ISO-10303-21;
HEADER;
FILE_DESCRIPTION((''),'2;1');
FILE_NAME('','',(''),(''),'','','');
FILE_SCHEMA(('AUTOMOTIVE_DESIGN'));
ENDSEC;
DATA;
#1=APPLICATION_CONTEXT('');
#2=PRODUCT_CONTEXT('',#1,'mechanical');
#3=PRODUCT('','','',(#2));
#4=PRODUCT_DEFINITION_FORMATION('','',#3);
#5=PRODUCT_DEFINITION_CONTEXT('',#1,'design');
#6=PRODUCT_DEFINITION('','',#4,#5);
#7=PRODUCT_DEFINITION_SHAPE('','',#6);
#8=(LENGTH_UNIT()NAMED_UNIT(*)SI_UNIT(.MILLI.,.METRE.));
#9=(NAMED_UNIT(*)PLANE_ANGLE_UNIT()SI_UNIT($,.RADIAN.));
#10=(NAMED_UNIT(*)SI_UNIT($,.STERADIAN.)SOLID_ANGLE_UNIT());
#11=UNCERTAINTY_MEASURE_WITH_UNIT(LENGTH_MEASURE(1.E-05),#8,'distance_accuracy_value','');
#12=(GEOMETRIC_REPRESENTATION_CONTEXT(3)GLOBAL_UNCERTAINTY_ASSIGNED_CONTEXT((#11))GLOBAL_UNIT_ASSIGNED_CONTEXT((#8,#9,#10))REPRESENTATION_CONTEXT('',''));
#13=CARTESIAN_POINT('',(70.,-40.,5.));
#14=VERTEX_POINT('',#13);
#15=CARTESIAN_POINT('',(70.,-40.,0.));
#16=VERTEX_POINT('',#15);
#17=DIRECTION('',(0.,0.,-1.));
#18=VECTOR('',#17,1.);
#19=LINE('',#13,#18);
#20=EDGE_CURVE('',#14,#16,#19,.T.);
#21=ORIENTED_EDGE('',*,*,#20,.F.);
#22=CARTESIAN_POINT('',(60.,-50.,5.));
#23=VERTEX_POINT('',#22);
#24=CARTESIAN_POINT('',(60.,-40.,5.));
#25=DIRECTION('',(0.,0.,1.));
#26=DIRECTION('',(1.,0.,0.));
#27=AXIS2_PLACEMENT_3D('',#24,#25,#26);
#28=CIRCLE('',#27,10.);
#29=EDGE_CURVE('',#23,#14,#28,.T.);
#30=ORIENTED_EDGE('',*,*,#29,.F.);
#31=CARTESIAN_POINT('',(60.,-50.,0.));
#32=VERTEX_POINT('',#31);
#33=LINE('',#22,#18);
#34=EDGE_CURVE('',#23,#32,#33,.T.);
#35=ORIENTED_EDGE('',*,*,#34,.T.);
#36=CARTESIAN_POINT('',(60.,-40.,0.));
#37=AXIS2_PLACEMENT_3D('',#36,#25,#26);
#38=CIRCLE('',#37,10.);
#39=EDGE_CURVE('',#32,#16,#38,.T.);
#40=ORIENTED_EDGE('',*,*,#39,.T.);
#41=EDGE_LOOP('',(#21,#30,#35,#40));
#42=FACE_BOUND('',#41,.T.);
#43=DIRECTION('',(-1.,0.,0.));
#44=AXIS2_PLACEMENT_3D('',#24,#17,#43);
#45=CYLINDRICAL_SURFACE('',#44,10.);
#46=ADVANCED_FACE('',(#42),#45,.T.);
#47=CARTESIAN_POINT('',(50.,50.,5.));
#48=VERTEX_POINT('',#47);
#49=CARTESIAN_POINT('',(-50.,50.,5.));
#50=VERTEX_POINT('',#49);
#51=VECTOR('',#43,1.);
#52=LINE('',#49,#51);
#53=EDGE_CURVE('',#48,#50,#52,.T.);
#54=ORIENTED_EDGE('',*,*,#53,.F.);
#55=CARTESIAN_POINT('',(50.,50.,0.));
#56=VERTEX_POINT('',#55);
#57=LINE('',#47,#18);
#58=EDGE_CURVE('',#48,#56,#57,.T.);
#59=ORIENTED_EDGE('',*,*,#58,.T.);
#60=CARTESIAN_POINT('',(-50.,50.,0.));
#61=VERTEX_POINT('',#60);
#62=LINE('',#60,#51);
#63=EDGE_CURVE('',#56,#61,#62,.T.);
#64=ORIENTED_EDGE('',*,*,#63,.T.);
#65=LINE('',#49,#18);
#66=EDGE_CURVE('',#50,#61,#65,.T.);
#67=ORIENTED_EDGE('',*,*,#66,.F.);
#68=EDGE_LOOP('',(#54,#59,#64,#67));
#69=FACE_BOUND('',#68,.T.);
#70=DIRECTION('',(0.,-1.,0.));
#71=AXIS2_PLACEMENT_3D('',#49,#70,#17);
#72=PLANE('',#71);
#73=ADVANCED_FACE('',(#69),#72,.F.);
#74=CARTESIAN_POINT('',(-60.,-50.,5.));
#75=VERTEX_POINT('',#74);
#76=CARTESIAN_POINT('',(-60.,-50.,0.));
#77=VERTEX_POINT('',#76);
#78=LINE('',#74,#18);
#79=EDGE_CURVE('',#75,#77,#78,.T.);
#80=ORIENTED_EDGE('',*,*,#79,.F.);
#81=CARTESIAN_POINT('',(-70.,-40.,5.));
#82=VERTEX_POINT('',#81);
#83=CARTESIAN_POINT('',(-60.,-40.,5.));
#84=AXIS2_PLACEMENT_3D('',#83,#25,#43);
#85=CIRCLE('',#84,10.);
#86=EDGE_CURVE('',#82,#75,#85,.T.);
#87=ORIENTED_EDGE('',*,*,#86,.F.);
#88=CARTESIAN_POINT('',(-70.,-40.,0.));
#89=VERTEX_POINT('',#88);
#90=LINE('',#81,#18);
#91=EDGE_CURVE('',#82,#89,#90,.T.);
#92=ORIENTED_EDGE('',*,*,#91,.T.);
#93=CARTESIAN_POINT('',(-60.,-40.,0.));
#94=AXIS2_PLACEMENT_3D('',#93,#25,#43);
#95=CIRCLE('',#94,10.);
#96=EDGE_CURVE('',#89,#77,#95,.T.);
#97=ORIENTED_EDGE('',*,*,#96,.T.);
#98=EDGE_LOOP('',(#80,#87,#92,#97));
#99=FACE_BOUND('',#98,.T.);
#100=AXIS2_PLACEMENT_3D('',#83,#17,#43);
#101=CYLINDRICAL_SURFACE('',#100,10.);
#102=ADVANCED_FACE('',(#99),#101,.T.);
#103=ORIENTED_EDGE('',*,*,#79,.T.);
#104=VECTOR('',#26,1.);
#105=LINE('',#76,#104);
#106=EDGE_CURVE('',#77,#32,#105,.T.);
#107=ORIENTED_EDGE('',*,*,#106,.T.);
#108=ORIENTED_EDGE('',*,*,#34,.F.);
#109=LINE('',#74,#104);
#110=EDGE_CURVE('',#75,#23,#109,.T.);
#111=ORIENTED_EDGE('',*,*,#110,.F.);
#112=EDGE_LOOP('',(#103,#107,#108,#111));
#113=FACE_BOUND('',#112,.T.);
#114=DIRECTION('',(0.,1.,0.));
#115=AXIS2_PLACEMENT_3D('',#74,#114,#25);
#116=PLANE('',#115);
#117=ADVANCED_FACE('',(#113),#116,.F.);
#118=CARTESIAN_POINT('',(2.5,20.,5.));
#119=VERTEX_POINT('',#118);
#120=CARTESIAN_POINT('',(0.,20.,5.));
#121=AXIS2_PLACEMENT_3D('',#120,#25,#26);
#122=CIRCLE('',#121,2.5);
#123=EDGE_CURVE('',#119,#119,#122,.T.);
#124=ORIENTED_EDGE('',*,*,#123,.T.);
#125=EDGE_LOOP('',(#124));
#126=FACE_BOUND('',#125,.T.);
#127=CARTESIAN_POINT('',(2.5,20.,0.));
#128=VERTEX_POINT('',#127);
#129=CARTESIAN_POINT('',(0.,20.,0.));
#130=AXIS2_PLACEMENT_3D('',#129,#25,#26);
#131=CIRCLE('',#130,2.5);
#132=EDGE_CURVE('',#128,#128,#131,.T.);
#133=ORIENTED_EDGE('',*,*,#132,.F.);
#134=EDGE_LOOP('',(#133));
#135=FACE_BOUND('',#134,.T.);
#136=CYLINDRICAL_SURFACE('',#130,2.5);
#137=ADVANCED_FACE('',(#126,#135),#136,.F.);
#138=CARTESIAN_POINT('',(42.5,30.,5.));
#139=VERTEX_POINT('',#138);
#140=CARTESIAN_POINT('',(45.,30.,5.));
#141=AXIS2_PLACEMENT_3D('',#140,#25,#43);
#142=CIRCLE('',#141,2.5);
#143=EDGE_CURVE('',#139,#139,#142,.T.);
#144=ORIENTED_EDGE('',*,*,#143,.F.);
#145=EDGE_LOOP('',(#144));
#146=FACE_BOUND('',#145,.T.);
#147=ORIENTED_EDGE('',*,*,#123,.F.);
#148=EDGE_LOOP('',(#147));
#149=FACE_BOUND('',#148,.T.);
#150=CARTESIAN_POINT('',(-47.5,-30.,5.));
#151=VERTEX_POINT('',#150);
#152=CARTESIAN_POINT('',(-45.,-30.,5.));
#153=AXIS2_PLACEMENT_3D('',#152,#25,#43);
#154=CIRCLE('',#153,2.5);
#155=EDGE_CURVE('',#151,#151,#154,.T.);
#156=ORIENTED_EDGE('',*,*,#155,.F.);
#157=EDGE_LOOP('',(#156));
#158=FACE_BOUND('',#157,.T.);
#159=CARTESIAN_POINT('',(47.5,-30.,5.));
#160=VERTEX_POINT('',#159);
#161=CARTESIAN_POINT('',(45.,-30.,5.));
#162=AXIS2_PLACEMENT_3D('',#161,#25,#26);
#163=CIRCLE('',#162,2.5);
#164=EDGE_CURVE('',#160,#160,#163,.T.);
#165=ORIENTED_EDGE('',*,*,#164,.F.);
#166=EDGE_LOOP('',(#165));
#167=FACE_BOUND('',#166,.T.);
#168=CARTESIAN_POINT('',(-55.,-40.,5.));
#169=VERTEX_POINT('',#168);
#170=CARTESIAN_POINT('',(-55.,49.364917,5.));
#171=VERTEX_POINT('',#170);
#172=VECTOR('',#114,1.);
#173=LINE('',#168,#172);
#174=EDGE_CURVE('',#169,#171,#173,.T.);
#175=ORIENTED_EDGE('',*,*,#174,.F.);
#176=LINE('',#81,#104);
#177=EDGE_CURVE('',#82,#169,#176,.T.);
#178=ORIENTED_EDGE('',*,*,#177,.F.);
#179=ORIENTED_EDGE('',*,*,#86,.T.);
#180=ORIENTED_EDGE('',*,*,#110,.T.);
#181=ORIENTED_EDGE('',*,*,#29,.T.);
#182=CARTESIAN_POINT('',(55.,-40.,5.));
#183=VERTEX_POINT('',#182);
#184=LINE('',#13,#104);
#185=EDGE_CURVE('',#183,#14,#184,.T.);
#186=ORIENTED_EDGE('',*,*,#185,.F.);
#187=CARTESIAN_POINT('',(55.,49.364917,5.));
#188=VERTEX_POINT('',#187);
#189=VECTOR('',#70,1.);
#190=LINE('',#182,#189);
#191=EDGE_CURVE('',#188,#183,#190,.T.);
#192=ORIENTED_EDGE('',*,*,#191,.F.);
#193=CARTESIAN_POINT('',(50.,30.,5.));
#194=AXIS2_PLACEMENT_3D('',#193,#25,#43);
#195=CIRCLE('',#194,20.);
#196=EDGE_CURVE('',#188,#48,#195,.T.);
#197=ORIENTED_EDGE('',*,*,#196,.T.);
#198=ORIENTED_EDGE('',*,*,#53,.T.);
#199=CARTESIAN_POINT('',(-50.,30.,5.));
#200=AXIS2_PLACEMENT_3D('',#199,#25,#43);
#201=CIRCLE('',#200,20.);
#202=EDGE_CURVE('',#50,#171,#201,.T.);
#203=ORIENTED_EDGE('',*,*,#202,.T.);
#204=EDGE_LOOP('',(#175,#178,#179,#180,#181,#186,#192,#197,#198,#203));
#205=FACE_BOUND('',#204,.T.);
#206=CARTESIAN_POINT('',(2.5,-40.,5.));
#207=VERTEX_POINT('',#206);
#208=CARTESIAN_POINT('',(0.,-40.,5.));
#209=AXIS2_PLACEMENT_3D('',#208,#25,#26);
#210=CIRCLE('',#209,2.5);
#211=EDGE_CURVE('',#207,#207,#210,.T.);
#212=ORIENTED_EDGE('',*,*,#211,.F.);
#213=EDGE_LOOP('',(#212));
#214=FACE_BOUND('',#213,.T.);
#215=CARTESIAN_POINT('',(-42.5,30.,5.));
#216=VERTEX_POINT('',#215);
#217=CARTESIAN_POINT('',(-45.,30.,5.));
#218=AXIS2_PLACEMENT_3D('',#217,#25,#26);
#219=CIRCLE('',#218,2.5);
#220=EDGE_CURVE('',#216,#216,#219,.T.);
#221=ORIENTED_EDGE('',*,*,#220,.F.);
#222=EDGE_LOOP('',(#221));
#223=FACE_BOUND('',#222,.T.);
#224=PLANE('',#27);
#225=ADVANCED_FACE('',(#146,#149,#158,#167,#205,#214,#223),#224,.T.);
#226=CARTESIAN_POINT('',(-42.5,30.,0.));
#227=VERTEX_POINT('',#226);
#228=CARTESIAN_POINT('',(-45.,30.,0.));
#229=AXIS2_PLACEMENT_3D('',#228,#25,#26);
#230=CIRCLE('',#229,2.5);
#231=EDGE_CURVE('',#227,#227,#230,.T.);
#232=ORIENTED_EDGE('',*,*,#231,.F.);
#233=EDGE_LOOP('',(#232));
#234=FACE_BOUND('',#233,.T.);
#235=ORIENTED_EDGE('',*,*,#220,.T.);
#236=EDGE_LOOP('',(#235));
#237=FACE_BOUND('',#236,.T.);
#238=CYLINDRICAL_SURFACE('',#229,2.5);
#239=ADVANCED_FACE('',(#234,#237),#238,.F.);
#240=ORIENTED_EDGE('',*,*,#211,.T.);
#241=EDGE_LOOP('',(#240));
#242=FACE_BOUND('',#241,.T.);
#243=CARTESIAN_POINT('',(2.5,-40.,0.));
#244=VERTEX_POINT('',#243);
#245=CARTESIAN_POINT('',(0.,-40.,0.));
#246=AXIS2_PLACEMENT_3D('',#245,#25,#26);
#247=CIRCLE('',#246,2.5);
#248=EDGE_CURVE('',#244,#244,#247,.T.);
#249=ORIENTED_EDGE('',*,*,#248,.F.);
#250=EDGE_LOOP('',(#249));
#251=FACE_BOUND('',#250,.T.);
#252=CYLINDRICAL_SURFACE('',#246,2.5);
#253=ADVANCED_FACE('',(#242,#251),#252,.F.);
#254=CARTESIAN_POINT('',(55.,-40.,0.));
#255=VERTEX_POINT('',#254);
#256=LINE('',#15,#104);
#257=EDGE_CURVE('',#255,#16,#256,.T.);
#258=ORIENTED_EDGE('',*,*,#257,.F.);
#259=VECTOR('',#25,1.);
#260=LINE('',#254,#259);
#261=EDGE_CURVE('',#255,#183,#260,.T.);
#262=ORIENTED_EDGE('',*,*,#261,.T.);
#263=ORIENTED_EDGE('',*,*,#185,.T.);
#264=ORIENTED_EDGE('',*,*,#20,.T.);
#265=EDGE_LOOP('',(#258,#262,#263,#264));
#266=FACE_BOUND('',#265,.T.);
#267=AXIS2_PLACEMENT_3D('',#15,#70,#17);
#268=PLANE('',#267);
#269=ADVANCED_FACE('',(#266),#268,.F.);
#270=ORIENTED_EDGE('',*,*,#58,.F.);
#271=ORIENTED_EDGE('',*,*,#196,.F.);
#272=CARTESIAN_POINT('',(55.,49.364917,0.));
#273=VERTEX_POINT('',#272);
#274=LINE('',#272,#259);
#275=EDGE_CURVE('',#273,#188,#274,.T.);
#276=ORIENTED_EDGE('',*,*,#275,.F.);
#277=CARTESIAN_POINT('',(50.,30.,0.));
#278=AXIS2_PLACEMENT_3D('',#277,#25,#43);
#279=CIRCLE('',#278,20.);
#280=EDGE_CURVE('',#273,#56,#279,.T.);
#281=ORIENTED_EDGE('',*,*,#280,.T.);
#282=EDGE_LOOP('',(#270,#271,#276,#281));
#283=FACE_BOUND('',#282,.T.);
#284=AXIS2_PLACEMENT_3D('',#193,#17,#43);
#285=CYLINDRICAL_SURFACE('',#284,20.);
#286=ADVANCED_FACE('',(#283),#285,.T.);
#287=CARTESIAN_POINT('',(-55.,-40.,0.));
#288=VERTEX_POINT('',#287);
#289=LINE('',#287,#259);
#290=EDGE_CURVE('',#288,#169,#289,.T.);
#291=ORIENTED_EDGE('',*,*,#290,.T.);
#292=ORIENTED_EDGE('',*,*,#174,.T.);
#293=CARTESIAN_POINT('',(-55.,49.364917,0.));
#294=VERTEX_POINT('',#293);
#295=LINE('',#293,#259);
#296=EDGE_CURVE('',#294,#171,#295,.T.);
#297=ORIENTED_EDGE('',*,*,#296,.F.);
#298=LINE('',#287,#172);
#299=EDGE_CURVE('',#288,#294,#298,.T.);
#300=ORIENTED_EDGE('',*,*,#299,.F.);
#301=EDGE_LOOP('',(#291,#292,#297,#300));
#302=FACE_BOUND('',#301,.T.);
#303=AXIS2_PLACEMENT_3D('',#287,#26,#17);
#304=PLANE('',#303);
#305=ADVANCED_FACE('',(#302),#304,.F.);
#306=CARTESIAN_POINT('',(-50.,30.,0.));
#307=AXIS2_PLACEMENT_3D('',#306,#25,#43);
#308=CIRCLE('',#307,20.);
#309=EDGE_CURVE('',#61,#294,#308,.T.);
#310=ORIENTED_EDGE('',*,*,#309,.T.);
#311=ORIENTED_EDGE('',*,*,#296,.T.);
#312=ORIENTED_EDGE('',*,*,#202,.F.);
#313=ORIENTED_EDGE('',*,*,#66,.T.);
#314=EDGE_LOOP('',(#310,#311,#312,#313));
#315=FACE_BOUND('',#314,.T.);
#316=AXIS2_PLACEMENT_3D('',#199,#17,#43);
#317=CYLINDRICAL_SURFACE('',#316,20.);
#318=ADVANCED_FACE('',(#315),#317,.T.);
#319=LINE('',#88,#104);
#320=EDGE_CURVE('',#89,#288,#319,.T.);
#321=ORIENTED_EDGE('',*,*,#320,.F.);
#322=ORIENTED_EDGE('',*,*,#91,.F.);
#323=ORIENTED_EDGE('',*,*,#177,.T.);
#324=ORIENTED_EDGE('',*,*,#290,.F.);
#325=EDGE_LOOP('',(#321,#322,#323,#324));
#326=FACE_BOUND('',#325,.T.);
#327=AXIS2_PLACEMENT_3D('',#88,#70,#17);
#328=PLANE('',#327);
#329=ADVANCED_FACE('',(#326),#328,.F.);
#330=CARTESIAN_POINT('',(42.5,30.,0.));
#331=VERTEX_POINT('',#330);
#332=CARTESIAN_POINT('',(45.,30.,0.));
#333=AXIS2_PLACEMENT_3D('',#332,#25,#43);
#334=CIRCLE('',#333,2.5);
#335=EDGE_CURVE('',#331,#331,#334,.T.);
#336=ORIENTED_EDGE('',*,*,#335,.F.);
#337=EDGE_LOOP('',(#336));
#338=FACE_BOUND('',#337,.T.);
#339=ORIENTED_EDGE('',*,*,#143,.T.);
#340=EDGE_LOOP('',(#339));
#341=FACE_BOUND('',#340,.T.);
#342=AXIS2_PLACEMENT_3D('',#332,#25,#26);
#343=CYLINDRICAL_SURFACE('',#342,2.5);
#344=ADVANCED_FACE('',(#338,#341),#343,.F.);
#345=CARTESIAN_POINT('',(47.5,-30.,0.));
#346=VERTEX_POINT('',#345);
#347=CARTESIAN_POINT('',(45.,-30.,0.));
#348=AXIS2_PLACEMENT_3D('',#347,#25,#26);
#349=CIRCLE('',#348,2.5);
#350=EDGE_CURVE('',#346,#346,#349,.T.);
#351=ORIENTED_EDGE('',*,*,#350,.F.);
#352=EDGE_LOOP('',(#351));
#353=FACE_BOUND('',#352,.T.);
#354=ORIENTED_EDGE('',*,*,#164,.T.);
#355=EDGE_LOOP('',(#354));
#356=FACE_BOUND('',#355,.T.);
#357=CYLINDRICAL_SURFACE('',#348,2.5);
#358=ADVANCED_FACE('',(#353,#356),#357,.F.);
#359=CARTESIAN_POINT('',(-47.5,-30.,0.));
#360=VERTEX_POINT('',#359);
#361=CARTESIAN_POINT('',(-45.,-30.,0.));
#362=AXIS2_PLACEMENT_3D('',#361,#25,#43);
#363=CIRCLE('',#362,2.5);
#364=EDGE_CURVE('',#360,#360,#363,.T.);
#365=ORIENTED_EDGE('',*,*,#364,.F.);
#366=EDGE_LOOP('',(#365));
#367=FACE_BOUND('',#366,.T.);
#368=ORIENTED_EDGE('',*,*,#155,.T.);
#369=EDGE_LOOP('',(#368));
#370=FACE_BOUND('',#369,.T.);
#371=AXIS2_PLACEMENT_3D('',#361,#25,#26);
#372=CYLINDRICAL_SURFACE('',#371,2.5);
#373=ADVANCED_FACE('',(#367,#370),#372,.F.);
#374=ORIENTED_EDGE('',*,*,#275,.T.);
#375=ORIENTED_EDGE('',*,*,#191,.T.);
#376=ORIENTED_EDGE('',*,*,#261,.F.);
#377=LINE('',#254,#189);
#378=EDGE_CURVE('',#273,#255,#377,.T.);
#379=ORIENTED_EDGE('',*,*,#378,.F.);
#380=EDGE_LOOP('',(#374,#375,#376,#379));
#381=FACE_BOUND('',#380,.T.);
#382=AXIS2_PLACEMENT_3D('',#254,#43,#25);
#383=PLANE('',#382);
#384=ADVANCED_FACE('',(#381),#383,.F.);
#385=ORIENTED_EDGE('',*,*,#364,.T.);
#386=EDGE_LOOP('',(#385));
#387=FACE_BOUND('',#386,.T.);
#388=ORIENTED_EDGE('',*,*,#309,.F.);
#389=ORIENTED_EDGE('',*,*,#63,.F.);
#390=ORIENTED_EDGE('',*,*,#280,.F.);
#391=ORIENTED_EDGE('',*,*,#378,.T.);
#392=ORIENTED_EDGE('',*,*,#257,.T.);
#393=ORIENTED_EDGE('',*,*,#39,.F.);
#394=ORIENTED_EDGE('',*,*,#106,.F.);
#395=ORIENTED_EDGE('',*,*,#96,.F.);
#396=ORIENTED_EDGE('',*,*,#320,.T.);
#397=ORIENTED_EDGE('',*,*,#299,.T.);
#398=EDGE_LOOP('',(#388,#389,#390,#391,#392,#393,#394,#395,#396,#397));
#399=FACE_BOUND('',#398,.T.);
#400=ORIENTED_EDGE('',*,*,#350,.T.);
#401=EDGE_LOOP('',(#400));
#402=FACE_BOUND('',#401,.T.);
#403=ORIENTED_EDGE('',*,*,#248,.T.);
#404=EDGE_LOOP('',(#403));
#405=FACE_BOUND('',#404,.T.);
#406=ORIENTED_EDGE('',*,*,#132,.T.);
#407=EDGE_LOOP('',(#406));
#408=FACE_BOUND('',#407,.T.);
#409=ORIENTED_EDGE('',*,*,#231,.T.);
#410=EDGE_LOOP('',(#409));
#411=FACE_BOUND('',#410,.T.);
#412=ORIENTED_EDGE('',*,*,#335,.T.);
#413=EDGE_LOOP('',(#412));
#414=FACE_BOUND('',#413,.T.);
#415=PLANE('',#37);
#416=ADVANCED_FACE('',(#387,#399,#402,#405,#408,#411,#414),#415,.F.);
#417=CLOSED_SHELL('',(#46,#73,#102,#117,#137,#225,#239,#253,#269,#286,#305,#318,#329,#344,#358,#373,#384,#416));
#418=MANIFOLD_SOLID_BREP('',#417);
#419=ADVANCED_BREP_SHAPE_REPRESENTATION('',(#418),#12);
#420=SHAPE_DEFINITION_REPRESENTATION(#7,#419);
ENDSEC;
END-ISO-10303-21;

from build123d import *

# Parameters (mm, degrees)
BOSS_EXTRUDE1_DEPTH = 5
SKETCH2_R           = 2.5
CUT_EXTRUDE1_DEPTH  = 5
SKETCH3_W           = 15
SKETCH3_H           = 89.364916731
CUT_EXTRUDE2_DEPTH  = 5
SKETCH4_R           = 2.5
CUT_EXTRUDE3_DEPTH  = 5


with BuildPart() as part:
    # Sketch1 → Boss-Extrude1 (new body)
    with BuildSketch(Plane.XY):
        with BuildLine():
            Line((-60, -50), (60, -50))
            ThreePointArc((60, -50), (67.071067812, -47.071067812), (70, -40))
            Line((70, -40), (70, 30))
            ThreePointArc((70, 30), (64.142135624, 44.142135624), (50, 50))
            Line((50, 50), (-50, 50))
            ThreePointArc((-50, 50), (-64.142135624, 44.142135624), (-70, 30))
            Line((-70, 30), (-70, -40))
            ThreePointArc((-70, -40), (-67.071067812, -47.071067812), (-60, -50))
        make_face()
    extrude(amount=BOSS_EXTRUDE1_DEPTH)

    # Sketch2 → Cut-Extrude1 (cut)
    with BuildSketch(Plane.XY.offset(5)):
        with Locations((0, -40)):
            Circle(SKETCH2_R)
        with Locations((-45, 30)):
            Circle(SKETCH2_R)
        with Locations(Location((45, 30, 0), (0, 0, 180))):
            Circle(SKETCH2_R)
        with Locations(Location((-45, -30, 0), (0, 0, 180))):
            Circle(SKETCH2_R)
        with Locations((45, -30)):
            Circle(SKETCH2_R)
    extrude(amount=-CUT_EXTRUDE1_DEPTH, mode=Mode.SUBTRACT)

    # Sketch3 → Cut-Extrude2 (cut)
    with BuildSketch(Plane.XY.offset(5)):
        with Locations((62.5, 4.682458366)):
            Rectangle(SKETCH3_W, SKETCH3_H)
        with Locations((-62.5, 4.682458366)):
            Rectangle(SKETCH3_W, SKETCH3_H)
    extrude(amount=-CUT_EXTRUDE2_DEPTH, mode=Mode.SUBTRACT)

    # Sketch4 → Cut-Extrude3 (cut)
    with BuildSketch(Plane.XY.offset(5)):
        with Locations((0, 20)):
            Circle(SKETCH4_R)
    extrude(amount=-CUT_EXTRUDE3_DEPTH, mode=Mode.SUBTRACT)


solid = part.part
